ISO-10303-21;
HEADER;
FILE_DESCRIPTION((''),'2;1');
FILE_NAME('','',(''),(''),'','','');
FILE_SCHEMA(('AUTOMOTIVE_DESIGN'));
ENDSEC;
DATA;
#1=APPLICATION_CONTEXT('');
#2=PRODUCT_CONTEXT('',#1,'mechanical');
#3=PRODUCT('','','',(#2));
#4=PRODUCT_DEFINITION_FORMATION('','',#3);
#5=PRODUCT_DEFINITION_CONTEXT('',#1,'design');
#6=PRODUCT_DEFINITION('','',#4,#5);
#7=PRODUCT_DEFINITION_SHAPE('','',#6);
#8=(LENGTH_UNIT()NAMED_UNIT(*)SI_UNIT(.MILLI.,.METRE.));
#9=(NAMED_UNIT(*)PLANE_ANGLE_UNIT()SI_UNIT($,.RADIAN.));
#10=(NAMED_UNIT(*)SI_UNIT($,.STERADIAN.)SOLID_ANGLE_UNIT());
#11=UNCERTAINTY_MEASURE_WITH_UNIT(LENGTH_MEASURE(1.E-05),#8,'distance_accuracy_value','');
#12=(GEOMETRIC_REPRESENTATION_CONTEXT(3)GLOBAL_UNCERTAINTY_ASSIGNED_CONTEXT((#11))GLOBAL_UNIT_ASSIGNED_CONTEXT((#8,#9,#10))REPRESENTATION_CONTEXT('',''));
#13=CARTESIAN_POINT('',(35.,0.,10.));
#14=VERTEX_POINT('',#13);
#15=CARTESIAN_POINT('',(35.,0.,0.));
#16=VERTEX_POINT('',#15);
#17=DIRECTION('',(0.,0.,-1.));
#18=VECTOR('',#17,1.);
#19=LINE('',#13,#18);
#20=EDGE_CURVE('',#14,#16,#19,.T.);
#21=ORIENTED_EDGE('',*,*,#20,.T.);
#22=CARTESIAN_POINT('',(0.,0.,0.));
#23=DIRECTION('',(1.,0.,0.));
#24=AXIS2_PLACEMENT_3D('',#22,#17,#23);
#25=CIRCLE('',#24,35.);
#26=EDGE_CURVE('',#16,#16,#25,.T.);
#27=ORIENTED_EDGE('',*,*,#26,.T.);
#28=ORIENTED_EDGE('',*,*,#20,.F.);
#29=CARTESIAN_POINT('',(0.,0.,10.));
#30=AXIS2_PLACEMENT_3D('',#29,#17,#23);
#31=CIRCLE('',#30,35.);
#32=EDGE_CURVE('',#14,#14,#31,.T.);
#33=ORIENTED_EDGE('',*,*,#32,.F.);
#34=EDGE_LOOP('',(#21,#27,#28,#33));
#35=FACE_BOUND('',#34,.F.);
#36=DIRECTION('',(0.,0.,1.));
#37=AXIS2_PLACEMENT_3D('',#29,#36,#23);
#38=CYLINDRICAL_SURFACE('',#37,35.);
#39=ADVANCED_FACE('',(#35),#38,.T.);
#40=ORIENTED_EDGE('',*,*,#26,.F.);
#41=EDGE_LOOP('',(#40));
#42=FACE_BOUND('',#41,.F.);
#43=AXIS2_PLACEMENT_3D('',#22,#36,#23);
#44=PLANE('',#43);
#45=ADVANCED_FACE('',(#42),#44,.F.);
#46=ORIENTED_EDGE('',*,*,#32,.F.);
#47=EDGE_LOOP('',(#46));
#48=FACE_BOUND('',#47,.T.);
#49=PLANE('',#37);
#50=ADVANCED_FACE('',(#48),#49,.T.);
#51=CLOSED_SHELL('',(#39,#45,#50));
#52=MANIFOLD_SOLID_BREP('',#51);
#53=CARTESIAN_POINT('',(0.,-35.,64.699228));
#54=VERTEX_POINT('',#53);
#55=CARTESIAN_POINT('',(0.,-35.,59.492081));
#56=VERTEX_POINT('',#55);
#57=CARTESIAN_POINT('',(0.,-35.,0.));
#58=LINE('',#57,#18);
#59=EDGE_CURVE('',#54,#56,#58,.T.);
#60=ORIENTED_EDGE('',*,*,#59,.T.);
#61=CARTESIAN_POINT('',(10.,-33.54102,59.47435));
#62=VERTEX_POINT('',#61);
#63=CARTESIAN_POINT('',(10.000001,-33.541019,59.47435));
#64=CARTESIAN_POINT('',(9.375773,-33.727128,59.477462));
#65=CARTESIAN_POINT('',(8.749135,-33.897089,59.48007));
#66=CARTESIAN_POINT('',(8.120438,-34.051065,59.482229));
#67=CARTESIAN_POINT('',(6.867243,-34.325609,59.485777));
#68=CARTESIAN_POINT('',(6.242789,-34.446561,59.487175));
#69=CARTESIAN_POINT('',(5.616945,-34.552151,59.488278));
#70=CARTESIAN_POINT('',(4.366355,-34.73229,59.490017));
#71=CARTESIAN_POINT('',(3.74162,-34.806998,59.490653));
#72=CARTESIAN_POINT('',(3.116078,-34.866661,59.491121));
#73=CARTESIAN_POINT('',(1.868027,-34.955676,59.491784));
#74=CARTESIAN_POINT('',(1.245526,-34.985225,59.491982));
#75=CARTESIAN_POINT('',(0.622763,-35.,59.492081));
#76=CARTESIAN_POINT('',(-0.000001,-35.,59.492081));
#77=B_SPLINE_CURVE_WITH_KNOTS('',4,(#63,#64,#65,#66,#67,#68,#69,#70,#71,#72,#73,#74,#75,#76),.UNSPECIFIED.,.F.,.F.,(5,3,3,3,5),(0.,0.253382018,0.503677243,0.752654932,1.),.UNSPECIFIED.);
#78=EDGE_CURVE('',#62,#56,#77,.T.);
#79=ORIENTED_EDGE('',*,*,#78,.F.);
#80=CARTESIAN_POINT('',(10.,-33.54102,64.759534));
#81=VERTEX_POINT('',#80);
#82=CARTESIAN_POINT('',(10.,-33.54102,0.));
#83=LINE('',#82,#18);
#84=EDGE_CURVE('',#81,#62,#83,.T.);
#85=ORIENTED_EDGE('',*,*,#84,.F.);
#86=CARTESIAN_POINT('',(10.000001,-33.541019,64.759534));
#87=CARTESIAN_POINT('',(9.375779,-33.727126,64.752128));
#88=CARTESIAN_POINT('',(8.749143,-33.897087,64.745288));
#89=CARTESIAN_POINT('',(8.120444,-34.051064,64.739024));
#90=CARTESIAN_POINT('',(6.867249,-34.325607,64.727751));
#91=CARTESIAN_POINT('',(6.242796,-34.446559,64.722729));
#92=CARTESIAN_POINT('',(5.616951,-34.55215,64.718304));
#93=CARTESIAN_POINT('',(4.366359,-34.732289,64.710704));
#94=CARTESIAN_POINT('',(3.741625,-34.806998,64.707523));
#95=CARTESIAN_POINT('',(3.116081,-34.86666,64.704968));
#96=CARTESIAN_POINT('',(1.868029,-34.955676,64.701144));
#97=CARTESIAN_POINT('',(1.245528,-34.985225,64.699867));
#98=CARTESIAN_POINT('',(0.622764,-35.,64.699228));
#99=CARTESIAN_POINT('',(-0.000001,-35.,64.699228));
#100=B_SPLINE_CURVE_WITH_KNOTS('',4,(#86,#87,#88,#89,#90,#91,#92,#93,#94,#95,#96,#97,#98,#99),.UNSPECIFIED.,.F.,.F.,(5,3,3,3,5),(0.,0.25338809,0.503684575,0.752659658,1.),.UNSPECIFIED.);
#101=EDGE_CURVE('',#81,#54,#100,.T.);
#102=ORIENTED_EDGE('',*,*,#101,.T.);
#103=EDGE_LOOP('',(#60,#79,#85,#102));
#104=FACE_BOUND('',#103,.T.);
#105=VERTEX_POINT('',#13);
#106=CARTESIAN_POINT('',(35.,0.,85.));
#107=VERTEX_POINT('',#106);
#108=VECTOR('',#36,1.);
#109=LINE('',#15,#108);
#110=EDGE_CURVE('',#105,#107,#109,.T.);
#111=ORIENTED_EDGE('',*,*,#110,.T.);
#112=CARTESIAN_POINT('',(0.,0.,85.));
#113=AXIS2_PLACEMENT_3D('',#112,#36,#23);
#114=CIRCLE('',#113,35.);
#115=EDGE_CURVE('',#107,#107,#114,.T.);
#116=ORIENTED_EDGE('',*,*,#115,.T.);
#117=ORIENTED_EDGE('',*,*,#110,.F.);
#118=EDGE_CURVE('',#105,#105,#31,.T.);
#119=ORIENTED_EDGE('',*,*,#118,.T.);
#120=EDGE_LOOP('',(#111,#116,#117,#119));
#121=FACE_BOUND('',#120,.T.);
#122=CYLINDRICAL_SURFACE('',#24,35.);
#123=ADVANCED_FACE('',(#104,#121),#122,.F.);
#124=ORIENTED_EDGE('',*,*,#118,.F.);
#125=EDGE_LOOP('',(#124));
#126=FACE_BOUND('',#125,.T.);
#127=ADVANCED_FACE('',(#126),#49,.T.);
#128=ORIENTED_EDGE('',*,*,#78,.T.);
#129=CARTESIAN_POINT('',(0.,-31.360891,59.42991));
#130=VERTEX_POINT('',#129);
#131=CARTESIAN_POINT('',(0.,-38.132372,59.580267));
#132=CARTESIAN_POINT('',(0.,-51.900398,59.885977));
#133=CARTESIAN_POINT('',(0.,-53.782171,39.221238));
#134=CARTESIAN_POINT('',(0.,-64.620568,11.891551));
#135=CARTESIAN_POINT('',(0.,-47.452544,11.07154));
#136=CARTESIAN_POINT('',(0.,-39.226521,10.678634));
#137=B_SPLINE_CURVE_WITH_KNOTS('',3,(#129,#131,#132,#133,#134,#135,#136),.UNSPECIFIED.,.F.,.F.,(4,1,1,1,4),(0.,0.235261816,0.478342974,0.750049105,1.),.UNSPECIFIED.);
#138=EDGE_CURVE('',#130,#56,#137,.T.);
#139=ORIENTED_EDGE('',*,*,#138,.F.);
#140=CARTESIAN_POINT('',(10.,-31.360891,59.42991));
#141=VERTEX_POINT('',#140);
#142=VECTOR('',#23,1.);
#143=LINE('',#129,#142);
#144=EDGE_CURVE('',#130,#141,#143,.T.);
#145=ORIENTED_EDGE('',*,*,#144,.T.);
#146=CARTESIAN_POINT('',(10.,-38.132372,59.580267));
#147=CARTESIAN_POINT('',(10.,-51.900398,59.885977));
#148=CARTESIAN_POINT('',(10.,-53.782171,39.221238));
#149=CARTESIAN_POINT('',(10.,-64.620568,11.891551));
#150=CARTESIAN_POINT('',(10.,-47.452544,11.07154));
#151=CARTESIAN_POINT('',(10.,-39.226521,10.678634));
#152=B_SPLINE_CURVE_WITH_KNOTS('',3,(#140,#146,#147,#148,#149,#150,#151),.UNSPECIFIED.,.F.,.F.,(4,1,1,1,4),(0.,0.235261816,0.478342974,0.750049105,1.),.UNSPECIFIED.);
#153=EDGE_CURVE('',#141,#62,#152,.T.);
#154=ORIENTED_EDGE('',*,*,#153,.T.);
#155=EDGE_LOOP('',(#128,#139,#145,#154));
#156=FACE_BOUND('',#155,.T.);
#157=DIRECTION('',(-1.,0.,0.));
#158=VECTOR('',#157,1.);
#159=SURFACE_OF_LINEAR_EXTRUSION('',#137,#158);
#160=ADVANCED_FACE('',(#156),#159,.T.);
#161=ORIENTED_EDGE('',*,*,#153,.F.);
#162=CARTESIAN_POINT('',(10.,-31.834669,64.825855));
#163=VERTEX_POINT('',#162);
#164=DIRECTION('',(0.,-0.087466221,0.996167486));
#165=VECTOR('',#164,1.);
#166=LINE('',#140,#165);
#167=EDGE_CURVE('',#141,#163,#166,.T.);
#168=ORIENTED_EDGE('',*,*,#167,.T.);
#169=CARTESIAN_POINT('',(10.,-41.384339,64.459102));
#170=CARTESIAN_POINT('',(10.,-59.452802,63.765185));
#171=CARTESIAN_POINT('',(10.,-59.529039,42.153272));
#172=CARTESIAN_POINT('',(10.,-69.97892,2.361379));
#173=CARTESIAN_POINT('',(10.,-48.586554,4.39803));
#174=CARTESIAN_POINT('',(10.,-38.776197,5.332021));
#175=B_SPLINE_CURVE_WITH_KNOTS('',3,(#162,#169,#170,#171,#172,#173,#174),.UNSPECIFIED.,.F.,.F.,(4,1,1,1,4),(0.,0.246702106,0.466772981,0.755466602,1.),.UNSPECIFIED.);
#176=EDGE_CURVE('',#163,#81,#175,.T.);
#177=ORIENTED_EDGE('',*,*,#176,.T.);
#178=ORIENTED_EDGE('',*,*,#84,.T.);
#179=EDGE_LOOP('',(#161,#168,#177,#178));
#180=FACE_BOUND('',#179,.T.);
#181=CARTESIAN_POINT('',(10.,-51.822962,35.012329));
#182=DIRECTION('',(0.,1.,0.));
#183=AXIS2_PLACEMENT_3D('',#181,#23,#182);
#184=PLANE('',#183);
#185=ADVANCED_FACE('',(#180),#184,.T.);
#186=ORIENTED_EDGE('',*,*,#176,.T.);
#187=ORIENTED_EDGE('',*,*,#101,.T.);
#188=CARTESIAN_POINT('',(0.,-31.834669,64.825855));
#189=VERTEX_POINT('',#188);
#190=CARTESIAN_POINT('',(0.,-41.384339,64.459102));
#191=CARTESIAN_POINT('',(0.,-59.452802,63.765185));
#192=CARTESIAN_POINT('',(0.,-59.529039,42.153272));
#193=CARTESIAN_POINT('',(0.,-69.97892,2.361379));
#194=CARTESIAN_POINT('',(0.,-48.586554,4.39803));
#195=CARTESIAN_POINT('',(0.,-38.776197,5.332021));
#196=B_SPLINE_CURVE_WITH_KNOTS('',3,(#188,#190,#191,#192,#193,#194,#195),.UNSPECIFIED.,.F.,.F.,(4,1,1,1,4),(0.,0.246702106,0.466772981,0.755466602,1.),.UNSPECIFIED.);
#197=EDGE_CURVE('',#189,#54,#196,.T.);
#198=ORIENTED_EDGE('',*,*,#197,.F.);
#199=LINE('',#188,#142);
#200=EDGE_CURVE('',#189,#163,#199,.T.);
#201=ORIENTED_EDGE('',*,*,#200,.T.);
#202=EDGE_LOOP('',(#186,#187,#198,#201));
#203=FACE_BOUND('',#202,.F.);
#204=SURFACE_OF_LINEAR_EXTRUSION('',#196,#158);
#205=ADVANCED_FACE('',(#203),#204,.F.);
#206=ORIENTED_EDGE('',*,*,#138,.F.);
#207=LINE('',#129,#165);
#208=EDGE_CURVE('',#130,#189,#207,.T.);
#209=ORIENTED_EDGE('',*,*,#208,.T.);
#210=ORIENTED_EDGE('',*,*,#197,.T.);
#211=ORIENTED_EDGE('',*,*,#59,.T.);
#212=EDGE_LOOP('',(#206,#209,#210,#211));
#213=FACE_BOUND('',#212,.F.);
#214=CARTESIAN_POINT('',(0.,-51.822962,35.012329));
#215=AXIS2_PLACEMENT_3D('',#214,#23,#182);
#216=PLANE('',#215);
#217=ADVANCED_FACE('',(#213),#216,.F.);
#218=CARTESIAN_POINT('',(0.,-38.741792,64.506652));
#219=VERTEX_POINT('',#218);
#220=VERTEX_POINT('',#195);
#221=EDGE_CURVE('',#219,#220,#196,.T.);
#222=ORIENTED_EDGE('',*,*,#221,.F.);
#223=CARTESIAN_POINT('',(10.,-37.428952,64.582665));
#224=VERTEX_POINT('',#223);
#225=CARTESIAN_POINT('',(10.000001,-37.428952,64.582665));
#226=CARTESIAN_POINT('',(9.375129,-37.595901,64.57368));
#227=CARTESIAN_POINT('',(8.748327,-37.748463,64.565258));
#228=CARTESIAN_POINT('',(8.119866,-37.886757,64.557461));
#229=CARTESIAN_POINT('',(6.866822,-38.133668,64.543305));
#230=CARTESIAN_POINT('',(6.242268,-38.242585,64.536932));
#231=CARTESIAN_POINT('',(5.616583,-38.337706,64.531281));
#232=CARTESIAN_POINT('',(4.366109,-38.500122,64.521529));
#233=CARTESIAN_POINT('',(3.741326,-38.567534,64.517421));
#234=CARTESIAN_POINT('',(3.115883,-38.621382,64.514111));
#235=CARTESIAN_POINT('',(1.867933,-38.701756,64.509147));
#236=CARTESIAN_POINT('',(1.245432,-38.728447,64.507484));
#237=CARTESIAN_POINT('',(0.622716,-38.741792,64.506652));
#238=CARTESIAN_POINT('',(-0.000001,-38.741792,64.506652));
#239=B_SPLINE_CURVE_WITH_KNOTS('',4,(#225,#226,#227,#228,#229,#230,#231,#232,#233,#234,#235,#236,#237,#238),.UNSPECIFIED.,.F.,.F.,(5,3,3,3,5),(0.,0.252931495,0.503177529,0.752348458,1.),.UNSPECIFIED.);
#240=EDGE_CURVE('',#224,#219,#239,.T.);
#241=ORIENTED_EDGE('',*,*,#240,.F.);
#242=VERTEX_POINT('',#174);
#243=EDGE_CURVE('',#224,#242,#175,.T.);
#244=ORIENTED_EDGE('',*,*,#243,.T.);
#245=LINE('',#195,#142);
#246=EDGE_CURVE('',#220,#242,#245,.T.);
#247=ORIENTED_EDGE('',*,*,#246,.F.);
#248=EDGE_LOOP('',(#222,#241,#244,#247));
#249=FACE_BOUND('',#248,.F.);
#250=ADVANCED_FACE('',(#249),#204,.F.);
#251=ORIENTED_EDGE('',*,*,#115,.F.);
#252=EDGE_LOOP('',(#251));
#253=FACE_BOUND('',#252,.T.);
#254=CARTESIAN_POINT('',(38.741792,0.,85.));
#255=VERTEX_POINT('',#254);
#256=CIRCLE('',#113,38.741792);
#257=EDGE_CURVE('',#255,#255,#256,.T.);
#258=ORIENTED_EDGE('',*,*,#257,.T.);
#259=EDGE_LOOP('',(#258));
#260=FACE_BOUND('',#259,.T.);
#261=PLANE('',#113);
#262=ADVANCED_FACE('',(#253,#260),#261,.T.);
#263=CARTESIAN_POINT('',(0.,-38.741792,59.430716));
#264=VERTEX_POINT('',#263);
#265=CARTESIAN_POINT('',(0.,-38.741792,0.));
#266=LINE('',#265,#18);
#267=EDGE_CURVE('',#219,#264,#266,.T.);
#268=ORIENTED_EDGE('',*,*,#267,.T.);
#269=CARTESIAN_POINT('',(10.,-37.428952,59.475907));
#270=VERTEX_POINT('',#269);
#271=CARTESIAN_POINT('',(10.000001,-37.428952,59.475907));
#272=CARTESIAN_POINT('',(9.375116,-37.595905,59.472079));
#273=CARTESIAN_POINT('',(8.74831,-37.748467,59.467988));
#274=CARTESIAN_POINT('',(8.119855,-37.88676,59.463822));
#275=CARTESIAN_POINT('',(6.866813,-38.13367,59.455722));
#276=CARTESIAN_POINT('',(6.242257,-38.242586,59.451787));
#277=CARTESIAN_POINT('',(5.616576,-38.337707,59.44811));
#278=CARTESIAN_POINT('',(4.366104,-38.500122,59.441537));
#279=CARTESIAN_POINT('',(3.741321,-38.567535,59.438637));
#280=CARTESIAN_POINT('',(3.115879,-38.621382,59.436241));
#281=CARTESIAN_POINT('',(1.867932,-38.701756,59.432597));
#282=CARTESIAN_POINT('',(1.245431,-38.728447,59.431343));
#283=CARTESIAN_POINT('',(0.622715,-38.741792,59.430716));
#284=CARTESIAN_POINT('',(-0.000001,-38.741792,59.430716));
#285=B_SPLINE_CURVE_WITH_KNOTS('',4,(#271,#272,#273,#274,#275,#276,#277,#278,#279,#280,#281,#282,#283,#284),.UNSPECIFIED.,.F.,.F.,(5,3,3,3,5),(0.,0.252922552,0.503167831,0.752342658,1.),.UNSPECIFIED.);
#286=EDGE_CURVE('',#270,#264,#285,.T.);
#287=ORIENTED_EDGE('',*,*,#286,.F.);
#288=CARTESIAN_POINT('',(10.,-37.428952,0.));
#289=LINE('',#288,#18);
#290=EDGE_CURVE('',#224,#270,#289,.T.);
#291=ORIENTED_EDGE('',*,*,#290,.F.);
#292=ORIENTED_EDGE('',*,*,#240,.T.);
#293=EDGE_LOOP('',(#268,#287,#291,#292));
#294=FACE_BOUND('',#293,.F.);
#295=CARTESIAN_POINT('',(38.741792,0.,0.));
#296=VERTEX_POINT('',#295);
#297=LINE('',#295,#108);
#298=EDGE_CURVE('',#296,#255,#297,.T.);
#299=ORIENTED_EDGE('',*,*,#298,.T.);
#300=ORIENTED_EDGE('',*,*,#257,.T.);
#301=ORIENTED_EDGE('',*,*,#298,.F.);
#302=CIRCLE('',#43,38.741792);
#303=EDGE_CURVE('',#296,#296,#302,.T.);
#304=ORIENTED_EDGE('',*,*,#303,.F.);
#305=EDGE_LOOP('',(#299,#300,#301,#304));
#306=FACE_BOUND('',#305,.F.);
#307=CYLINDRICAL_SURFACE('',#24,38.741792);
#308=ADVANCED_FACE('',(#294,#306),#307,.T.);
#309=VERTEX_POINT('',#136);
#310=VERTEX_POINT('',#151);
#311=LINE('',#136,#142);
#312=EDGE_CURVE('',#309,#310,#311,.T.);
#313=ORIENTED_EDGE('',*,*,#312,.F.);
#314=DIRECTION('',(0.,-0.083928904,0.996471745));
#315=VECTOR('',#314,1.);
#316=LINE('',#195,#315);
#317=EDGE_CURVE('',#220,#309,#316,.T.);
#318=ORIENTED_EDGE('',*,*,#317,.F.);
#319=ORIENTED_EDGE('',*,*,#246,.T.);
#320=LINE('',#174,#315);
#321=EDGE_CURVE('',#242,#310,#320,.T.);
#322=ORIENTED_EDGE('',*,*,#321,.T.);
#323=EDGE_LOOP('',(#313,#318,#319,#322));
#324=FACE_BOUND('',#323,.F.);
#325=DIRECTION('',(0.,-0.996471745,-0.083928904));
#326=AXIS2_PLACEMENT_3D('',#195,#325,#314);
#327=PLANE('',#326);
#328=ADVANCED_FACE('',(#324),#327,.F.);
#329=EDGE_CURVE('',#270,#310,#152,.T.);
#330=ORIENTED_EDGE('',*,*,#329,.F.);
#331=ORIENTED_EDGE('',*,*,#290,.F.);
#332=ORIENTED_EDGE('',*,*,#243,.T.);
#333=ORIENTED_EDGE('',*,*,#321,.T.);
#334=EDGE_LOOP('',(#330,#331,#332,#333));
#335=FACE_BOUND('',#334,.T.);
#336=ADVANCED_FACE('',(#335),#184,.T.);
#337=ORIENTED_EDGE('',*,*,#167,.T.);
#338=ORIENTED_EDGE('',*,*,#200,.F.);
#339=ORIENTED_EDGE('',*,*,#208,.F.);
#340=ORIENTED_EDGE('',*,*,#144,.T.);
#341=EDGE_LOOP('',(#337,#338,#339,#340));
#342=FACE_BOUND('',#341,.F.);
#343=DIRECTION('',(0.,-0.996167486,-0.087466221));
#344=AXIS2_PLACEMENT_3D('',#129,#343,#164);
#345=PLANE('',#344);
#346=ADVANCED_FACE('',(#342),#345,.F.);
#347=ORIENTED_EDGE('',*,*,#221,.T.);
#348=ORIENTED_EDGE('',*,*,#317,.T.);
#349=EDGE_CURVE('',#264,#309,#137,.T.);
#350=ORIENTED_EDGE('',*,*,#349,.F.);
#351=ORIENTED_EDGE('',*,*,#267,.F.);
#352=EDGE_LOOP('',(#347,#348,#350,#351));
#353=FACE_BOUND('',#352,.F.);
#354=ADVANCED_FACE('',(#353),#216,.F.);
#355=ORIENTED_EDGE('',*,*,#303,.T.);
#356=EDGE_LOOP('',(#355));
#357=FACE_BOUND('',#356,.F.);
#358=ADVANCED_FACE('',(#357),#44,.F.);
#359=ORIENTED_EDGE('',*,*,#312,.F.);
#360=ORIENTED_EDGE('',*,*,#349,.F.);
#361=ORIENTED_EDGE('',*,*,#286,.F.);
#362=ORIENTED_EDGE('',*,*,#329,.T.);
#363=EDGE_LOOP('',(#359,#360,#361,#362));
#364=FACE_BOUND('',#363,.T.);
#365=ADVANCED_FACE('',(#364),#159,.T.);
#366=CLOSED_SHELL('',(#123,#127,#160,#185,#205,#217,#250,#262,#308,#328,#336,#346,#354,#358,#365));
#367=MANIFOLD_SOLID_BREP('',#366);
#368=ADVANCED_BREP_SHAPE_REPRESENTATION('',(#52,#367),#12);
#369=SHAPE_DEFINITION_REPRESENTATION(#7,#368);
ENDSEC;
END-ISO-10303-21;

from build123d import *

# Parameters (mm, degrees)
F0_R     = 38.7417924646
F0_R_2   = 35
F1_DEPTH = 85
F2_R     = 37.823926557
F3_DEPTH = 10
F4_DEPTH = 10
F6_DEPTH = 10


with BuildPart() as f1:
    # F0 (on Top) → F1 (new body)
    with BuildSketch(Plane.XY):
        Circle(F0_R)
        Circle(F0_R_2, mode=Mode.SUBTRACT)
    extrude(amount=F1_DEPTH)

    # F2 (on Top) → F3 (join)
    with BuildSketch(Plane.XY):
        Circle(F2_R)
    extrude(amount=F3_DEPTH)


with BuildPart() as f4:
    # F4 (new): a face of the model
    f4_faces = [f1.part.faces().sort_by_distance(p)[0] for p in [
        (0, 0, 10),
    ]]
    extrude(f4_faces, amount=-F4_DEPTH)


with BuildPart() as f1_1:
    add(f1.part)

    # F5 (on Right) → F6 (join)
    with BuildSketch(Plane.YZ):
        with BuildLine():
            Line((-31.3608907163, 59.4299100339), (-31.8346694112, 64.8258551955))
            add(Edge.make_bspline(
                [(-31.8346694112, 64.8258551955), (-41.38433925, 64.4591015217), (-59.4528021533, 63.7651848458), (-59.5290389729, 42.1532722818), (-69.9789196059, 2.3613791422), (-48.586554243, 4.3980298153), (-38.7761965394, 5.332020577)],
                knots=[0, 0, 0, 0, 0.2467021065, 0.4667729811, 0.755466602, 1, 1, 1, 1], degree=3))
            Line((-38.7761965394, 5.332020577), (-39.2265208066, 10.6786340475))
            add(Edge.make_bspline(
                [(-31.3608907163, 59.4299100339), (-38.1323724891, 59.5802666318), (-51.9003981798, 59.8859771945), (-53.7821712318, 39.2212378706), (-64.6205675672, 11.8915510506), (-47.4525440805, 11.0715404476), (-39.2265208066, 10.6786340475)],
                knots=[0, 0, 0, 0, 0.2352618161, 0.4783429738, 0.7500491049, 1, 1, 1, 1], degree=3))
        make_face()
    extrude(amount=F6_DEPTH)


solid = Compound([f4.part, f1_1.part])
